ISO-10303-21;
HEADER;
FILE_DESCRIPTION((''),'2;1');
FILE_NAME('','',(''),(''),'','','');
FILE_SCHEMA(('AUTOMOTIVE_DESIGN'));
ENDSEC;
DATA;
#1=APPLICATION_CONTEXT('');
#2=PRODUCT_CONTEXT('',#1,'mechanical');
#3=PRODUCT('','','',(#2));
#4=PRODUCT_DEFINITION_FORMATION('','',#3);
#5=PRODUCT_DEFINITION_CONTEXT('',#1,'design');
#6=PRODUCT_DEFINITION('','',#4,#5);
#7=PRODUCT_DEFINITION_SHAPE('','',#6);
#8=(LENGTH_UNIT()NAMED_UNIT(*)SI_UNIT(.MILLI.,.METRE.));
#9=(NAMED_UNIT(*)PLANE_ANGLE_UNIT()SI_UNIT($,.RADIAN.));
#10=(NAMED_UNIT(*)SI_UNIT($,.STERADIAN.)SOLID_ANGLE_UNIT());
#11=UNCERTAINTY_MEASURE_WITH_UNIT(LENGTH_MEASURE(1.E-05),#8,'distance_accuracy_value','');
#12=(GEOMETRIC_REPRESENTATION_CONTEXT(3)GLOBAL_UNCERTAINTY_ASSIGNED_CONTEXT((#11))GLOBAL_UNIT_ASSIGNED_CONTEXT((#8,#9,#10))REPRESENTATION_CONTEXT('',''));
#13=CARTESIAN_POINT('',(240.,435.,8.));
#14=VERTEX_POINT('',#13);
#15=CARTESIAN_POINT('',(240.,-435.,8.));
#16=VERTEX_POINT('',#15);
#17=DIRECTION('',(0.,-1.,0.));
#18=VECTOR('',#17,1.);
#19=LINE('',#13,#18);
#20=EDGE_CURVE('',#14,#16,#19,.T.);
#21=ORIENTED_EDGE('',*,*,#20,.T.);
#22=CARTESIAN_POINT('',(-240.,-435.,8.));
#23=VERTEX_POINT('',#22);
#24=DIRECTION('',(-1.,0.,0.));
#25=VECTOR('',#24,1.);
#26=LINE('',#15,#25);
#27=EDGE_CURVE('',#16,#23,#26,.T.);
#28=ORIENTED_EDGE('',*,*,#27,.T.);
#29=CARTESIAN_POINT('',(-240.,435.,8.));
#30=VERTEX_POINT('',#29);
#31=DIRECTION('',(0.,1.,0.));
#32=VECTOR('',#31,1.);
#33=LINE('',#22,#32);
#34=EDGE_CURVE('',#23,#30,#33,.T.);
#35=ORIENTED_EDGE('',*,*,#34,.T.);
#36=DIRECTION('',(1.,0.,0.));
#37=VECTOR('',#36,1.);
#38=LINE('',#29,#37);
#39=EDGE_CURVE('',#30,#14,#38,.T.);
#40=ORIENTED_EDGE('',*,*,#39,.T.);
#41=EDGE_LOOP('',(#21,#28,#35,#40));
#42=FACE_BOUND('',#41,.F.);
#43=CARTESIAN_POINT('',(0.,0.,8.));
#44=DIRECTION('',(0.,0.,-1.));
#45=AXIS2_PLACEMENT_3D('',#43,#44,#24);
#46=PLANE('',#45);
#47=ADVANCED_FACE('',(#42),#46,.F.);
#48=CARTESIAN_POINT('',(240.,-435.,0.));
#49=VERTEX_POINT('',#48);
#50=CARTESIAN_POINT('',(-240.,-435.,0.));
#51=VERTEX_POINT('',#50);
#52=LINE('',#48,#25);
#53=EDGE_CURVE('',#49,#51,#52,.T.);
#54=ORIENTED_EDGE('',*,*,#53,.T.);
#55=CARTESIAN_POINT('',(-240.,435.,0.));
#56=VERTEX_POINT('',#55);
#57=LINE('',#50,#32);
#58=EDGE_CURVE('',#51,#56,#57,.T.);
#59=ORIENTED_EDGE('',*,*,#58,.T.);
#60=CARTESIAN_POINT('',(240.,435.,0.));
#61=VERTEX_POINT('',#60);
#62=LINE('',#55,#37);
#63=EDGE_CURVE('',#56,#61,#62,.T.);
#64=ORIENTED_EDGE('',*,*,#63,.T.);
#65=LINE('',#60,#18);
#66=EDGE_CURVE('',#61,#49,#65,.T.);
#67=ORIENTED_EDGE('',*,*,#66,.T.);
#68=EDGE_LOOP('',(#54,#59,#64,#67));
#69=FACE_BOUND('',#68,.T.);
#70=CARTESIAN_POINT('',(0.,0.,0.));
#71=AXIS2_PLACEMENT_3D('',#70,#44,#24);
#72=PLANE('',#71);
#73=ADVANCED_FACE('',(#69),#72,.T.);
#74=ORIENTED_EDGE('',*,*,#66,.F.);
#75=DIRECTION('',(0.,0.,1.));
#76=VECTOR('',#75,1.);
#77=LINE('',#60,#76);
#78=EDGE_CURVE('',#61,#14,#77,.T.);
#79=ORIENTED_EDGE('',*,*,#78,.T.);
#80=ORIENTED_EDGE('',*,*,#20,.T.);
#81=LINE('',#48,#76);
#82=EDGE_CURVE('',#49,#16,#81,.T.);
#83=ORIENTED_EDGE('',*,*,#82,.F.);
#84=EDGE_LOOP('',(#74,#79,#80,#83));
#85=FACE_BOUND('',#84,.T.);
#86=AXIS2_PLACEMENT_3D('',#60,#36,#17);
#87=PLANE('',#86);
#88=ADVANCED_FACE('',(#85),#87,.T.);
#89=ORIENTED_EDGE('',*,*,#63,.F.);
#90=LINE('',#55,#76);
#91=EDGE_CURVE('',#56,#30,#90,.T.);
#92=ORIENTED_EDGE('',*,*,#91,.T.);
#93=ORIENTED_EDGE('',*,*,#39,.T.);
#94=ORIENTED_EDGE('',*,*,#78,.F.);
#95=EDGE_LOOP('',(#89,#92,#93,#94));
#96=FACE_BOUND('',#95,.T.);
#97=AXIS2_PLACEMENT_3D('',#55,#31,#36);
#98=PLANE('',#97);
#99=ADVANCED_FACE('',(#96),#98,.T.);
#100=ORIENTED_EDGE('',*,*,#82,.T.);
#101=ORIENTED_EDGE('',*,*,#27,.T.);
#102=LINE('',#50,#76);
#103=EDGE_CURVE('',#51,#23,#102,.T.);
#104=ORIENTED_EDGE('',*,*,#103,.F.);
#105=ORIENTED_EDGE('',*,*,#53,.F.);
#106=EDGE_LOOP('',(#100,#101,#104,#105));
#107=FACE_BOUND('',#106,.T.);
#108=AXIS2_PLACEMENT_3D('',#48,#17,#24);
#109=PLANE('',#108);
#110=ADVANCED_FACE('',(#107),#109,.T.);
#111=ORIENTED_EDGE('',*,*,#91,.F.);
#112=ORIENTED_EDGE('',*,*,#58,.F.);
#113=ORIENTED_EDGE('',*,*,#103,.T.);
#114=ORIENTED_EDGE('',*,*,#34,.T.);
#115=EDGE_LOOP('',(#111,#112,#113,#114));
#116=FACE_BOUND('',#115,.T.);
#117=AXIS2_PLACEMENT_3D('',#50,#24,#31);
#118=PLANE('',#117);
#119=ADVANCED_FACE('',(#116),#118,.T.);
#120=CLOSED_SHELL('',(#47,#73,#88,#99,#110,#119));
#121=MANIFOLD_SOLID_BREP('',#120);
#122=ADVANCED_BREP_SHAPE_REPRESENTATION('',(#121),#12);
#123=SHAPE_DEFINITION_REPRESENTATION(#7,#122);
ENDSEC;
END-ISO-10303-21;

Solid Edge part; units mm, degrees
sketch "Sketch1" plane through (0, 0, 0) normal (0, 0, -1) x (-1, 0, 0)
  line L0 (-240, -435) -> (240, -435)
  line L1 (240, -435) -> (240, 435)
  line L2 (240, 435) -> (-240, 435)
  line L3 (-240, 435) -> (-240, -435)
extrude "Protrusion1" add sketch "Sketch1" against normal blind 8
properties material "Glass, general industrial"
